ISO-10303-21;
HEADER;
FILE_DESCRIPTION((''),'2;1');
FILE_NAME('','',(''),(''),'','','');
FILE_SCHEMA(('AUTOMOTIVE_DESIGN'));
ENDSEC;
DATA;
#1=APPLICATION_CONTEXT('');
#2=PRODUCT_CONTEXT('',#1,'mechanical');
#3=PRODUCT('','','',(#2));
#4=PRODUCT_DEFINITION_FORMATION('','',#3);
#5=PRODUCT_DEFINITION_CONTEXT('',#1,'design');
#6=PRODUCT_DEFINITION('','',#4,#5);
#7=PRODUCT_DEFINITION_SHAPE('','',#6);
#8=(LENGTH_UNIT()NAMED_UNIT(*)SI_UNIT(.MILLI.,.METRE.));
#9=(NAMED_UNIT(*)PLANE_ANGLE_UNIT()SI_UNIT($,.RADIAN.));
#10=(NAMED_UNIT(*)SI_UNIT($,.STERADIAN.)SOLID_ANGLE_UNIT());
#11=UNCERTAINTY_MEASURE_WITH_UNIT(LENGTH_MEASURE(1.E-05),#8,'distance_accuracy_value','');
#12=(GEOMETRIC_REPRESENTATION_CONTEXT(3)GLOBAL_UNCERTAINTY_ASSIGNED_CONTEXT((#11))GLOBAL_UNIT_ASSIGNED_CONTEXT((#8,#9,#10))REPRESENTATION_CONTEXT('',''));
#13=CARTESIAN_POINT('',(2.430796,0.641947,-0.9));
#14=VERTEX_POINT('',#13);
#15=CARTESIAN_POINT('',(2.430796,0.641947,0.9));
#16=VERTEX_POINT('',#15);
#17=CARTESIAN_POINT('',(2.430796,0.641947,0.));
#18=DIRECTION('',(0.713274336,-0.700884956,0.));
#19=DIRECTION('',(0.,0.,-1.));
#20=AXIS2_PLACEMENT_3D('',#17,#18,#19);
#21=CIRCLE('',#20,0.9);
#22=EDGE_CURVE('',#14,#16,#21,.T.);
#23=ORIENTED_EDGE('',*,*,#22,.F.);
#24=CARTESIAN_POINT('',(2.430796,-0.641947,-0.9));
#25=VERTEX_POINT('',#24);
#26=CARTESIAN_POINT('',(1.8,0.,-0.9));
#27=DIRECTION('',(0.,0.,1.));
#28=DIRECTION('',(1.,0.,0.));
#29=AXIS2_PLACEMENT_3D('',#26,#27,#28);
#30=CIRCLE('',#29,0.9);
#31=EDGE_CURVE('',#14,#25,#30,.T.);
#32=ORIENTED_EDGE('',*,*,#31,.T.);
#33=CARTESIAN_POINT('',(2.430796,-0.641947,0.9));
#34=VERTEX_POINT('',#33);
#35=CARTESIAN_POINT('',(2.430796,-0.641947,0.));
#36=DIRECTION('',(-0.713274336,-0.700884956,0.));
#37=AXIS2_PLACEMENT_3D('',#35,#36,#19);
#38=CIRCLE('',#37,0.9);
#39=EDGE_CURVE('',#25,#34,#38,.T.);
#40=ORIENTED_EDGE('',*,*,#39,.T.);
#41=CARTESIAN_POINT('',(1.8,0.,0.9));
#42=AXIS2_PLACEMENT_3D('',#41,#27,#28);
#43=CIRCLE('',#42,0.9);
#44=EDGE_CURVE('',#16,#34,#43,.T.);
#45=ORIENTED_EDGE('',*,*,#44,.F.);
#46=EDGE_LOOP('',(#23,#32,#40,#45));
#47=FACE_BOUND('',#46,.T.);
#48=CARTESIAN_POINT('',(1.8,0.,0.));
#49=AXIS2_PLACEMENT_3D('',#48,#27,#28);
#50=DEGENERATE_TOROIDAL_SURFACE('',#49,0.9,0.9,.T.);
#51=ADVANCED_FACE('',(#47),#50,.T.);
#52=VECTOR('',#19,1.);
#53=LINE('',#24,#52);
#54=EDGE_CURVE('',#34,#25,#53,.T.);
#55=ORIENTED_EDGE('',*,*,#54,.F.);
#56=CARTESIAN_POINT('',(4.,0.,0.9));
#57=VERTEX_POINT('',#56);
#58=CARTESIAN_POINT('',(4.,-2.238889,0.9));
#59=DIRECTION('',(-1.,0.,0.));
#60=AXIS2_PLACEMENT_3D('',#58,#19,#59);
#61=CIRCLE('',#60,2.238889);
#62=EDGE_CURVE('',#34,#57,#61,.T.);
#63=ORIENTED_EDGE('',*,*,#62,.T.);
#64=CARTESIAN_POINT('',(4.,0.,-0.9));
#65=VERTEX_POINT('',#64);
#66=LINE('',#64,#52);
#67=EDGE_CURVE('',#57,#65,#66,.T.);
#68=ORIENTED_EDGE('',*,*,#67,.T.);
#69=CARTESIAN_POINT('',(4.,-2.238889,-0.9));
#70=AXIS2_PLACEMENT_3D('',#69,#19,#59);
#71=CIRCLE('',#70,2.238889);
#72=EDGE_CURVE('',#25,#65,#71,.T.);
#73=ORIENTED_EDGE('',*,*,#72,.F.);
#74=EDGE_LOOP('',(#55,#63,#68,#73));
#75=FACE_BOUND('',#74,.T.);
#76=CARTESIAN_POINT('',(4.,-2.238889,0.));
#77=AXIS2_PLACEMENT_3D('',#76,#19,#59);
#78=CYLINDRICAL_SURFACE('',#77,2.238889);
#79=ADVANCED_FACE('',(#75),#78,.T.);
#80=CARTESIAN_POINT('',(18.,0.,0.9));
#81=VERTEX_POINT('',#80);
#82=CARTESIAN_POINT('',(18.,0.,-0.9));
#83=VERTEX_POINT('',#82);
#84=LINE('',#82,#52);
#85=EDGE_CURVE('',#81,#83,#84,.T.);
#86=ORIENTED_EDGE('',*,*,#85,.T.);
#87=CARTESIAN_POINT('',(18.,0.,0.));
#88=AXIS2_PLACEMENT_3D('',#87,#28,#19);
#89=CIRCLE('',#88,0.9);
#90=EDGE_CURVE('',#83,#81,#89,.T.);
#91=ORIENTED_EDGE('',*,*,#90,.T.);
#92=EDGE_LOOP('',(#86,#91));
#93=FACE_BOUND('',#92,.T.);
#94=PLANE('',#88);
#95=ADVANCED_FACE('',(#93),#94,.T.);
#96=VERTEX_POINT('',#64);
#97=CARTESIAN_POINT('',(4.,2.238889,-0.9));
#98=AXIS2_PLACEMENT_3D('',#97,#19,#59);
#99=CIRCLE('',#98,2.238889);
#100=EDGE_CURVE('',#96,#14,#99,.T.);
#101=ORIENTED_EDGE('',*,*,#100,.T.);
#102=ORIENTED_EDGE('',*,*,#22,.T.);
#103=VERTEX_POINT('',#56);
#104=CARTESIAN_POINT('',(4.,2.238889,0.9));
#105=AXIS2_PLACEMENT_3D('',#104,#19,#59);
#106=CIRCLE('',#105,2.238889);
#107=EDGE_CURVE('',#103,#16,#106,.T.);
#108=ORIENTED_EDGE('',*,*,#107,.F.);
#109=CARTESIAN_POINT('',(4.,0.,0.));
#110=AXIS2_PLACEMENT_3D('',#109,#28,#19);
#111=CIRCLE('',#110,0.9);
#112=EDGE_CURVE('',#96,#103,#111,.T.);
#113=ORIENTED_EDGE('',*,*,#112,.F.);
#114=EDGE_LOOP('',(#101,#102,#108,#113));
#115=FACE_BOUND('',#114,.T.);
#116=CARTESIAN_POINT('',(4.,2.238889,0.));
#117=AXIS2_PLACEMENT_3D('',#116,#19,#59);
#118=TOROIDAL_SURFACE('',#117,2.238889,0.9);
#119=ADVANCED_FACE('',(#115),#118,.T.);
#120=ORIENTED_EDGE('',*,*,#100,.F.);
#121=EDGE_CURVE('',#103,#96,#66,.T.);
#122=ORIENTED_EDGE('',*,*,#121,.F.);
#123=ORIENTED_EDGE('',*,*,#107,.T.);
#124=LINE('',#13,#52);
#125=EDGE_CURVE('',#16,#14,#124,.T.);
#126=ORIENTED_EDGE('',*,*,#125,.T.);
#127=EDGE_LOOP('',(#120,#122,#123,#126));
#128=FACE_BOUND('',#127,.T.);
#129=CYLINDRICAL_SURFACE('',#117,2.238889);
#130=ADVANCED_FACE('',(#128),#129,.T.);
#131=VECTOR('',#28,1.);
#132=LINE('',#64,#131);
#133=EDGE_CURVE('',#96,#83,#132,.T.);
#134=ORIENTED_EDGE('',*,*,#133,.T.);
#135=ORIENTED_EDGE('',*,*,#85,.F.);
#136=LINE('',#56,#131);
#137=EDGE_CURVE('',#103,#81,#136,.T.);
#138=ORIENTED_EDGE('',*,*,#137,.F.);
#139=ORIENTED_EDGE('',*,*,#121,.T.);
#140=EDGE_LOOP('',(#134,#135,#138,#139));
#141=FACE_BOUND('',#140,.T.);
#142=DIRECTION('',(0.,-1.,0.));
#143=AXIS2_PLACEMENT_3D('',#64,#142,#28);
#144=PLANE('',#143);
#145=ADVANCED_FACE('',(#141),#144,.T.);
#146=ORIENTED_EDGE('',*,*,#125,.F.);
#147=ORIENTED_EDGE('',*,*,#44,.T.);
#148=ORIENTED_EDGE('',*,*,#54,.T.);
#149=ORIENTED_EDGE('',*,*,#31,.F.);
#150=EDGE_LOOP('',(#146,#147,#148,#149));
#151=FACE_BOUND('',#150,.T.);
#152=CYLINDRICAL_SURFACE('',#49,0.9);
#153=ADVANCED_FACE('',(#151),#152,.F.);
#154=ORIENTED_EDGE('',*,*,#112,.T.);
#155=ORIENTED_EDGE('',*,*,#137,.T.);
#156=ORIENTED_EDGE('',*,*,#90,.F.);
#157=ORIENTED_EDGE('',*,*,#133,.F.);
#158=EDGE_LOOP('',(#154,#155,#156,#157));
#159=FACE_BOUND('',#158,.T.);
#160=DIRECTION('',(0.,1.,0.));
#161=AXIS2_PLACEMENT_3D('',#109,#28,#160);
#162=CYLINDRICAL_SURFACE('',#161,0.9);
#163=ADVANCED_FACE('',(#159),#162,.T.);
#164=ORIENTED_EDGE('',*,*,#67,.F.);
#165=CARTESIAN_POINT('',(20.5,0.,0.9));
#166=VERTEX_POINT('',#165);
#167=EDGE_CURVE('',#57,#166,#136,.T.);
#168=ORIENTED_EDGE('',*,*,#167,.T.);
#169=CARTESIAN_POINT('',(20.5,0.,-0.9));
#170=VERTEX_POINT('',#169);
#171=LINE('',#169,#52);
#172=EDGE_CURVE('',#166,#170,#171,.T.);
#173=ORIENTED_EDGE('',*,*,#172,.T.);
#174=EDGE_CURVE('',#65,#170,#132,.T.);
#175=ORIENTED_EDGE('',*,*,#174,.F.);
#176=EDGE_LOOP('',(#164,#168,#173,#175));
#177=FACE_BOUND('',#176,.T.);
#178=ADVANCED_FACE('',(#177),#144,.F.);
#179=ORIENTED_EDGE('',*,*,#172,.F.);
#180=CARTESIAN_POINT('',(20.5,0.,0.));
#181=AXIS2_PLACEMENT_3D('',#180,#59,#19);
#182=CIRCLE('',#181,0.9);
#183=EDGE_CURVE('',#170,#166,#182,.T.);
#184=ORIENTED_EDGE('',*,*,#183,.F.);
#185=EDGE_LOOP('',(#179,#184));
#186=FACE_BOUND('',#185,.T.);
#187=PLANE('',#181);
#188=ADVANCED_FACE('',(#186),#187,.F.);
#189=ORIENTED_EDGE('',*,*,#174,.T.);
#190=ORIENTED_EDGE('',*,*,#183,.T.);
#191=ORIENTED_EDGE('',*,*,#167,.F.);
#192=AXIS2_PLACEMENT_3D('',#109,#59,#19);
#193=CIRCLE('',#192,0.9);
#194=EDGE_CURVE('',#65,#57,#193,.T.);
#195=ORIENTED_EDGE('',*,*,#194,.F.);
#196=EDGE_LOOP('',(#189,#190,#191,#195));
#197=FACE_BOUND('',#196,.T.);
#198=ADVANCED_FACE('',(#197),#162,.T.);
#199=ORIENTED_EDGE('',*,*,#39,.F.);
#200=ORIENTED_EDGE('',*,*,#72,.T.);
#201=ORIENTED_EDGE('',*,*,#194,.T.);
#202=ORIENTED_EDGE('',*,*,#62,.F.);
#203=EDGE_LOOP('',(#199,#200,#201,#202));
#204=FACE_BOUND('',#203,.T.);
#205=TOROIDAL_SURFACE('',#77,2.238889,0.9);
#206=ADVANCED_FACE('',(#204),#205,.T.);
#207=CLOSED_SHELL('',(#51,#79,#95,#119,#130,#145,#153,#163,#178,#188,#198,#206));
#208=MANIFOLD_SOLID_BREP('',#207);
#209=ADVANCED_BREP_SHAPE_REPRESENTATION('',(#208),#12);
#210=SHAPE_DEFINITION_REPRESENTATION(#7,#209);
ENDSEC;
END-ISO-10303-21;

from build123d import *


with BuildPart() as part:
    # Body: sweep along a path in PathSke
    with BuildLine(Plane(origin=(1.207969362, 1.807969362, 0), x_dir=(0, 1, 0), z_dir=(0, 0, 1))) as body_path:
        Line((-0.907969362, -16.792030638), (-0.907969362, -2.792030638))
        ThreePointArc((-0.907969362, -2.792030638), (-0.808285009, -2.285083328), (-0.524075557, -1.853623558))
        ThreePointArc((-0.524075557, -1.853623558), (-1.807969362, 1.207969362), (-3.091863167, -1.853623558))
        ThreePointArc((-3.091863167, -1.853623558), (-2.807653715, -2.285083328), (-2.707969362, -2.792030638))
        Line((-2.707969362, -2.792030638), (-2.707969362, -19.292030638))
    # SectionSke → Body (sweep)
    with BuildSketch(Plane(origin=(18, 0.15, 0.15), x_dir=(0, 1, 0), z_dir=(1, 0, 0))):
        with BuildLine():
            Line((-0.15, -1.05), (-0.15, 0.75))
            ThreePointArc((-0.15, 0.75), (0.75, -0.15), (-0.15, -1.05))
        make_face()
    sweep(path=body_path.line)


solid = part.part
